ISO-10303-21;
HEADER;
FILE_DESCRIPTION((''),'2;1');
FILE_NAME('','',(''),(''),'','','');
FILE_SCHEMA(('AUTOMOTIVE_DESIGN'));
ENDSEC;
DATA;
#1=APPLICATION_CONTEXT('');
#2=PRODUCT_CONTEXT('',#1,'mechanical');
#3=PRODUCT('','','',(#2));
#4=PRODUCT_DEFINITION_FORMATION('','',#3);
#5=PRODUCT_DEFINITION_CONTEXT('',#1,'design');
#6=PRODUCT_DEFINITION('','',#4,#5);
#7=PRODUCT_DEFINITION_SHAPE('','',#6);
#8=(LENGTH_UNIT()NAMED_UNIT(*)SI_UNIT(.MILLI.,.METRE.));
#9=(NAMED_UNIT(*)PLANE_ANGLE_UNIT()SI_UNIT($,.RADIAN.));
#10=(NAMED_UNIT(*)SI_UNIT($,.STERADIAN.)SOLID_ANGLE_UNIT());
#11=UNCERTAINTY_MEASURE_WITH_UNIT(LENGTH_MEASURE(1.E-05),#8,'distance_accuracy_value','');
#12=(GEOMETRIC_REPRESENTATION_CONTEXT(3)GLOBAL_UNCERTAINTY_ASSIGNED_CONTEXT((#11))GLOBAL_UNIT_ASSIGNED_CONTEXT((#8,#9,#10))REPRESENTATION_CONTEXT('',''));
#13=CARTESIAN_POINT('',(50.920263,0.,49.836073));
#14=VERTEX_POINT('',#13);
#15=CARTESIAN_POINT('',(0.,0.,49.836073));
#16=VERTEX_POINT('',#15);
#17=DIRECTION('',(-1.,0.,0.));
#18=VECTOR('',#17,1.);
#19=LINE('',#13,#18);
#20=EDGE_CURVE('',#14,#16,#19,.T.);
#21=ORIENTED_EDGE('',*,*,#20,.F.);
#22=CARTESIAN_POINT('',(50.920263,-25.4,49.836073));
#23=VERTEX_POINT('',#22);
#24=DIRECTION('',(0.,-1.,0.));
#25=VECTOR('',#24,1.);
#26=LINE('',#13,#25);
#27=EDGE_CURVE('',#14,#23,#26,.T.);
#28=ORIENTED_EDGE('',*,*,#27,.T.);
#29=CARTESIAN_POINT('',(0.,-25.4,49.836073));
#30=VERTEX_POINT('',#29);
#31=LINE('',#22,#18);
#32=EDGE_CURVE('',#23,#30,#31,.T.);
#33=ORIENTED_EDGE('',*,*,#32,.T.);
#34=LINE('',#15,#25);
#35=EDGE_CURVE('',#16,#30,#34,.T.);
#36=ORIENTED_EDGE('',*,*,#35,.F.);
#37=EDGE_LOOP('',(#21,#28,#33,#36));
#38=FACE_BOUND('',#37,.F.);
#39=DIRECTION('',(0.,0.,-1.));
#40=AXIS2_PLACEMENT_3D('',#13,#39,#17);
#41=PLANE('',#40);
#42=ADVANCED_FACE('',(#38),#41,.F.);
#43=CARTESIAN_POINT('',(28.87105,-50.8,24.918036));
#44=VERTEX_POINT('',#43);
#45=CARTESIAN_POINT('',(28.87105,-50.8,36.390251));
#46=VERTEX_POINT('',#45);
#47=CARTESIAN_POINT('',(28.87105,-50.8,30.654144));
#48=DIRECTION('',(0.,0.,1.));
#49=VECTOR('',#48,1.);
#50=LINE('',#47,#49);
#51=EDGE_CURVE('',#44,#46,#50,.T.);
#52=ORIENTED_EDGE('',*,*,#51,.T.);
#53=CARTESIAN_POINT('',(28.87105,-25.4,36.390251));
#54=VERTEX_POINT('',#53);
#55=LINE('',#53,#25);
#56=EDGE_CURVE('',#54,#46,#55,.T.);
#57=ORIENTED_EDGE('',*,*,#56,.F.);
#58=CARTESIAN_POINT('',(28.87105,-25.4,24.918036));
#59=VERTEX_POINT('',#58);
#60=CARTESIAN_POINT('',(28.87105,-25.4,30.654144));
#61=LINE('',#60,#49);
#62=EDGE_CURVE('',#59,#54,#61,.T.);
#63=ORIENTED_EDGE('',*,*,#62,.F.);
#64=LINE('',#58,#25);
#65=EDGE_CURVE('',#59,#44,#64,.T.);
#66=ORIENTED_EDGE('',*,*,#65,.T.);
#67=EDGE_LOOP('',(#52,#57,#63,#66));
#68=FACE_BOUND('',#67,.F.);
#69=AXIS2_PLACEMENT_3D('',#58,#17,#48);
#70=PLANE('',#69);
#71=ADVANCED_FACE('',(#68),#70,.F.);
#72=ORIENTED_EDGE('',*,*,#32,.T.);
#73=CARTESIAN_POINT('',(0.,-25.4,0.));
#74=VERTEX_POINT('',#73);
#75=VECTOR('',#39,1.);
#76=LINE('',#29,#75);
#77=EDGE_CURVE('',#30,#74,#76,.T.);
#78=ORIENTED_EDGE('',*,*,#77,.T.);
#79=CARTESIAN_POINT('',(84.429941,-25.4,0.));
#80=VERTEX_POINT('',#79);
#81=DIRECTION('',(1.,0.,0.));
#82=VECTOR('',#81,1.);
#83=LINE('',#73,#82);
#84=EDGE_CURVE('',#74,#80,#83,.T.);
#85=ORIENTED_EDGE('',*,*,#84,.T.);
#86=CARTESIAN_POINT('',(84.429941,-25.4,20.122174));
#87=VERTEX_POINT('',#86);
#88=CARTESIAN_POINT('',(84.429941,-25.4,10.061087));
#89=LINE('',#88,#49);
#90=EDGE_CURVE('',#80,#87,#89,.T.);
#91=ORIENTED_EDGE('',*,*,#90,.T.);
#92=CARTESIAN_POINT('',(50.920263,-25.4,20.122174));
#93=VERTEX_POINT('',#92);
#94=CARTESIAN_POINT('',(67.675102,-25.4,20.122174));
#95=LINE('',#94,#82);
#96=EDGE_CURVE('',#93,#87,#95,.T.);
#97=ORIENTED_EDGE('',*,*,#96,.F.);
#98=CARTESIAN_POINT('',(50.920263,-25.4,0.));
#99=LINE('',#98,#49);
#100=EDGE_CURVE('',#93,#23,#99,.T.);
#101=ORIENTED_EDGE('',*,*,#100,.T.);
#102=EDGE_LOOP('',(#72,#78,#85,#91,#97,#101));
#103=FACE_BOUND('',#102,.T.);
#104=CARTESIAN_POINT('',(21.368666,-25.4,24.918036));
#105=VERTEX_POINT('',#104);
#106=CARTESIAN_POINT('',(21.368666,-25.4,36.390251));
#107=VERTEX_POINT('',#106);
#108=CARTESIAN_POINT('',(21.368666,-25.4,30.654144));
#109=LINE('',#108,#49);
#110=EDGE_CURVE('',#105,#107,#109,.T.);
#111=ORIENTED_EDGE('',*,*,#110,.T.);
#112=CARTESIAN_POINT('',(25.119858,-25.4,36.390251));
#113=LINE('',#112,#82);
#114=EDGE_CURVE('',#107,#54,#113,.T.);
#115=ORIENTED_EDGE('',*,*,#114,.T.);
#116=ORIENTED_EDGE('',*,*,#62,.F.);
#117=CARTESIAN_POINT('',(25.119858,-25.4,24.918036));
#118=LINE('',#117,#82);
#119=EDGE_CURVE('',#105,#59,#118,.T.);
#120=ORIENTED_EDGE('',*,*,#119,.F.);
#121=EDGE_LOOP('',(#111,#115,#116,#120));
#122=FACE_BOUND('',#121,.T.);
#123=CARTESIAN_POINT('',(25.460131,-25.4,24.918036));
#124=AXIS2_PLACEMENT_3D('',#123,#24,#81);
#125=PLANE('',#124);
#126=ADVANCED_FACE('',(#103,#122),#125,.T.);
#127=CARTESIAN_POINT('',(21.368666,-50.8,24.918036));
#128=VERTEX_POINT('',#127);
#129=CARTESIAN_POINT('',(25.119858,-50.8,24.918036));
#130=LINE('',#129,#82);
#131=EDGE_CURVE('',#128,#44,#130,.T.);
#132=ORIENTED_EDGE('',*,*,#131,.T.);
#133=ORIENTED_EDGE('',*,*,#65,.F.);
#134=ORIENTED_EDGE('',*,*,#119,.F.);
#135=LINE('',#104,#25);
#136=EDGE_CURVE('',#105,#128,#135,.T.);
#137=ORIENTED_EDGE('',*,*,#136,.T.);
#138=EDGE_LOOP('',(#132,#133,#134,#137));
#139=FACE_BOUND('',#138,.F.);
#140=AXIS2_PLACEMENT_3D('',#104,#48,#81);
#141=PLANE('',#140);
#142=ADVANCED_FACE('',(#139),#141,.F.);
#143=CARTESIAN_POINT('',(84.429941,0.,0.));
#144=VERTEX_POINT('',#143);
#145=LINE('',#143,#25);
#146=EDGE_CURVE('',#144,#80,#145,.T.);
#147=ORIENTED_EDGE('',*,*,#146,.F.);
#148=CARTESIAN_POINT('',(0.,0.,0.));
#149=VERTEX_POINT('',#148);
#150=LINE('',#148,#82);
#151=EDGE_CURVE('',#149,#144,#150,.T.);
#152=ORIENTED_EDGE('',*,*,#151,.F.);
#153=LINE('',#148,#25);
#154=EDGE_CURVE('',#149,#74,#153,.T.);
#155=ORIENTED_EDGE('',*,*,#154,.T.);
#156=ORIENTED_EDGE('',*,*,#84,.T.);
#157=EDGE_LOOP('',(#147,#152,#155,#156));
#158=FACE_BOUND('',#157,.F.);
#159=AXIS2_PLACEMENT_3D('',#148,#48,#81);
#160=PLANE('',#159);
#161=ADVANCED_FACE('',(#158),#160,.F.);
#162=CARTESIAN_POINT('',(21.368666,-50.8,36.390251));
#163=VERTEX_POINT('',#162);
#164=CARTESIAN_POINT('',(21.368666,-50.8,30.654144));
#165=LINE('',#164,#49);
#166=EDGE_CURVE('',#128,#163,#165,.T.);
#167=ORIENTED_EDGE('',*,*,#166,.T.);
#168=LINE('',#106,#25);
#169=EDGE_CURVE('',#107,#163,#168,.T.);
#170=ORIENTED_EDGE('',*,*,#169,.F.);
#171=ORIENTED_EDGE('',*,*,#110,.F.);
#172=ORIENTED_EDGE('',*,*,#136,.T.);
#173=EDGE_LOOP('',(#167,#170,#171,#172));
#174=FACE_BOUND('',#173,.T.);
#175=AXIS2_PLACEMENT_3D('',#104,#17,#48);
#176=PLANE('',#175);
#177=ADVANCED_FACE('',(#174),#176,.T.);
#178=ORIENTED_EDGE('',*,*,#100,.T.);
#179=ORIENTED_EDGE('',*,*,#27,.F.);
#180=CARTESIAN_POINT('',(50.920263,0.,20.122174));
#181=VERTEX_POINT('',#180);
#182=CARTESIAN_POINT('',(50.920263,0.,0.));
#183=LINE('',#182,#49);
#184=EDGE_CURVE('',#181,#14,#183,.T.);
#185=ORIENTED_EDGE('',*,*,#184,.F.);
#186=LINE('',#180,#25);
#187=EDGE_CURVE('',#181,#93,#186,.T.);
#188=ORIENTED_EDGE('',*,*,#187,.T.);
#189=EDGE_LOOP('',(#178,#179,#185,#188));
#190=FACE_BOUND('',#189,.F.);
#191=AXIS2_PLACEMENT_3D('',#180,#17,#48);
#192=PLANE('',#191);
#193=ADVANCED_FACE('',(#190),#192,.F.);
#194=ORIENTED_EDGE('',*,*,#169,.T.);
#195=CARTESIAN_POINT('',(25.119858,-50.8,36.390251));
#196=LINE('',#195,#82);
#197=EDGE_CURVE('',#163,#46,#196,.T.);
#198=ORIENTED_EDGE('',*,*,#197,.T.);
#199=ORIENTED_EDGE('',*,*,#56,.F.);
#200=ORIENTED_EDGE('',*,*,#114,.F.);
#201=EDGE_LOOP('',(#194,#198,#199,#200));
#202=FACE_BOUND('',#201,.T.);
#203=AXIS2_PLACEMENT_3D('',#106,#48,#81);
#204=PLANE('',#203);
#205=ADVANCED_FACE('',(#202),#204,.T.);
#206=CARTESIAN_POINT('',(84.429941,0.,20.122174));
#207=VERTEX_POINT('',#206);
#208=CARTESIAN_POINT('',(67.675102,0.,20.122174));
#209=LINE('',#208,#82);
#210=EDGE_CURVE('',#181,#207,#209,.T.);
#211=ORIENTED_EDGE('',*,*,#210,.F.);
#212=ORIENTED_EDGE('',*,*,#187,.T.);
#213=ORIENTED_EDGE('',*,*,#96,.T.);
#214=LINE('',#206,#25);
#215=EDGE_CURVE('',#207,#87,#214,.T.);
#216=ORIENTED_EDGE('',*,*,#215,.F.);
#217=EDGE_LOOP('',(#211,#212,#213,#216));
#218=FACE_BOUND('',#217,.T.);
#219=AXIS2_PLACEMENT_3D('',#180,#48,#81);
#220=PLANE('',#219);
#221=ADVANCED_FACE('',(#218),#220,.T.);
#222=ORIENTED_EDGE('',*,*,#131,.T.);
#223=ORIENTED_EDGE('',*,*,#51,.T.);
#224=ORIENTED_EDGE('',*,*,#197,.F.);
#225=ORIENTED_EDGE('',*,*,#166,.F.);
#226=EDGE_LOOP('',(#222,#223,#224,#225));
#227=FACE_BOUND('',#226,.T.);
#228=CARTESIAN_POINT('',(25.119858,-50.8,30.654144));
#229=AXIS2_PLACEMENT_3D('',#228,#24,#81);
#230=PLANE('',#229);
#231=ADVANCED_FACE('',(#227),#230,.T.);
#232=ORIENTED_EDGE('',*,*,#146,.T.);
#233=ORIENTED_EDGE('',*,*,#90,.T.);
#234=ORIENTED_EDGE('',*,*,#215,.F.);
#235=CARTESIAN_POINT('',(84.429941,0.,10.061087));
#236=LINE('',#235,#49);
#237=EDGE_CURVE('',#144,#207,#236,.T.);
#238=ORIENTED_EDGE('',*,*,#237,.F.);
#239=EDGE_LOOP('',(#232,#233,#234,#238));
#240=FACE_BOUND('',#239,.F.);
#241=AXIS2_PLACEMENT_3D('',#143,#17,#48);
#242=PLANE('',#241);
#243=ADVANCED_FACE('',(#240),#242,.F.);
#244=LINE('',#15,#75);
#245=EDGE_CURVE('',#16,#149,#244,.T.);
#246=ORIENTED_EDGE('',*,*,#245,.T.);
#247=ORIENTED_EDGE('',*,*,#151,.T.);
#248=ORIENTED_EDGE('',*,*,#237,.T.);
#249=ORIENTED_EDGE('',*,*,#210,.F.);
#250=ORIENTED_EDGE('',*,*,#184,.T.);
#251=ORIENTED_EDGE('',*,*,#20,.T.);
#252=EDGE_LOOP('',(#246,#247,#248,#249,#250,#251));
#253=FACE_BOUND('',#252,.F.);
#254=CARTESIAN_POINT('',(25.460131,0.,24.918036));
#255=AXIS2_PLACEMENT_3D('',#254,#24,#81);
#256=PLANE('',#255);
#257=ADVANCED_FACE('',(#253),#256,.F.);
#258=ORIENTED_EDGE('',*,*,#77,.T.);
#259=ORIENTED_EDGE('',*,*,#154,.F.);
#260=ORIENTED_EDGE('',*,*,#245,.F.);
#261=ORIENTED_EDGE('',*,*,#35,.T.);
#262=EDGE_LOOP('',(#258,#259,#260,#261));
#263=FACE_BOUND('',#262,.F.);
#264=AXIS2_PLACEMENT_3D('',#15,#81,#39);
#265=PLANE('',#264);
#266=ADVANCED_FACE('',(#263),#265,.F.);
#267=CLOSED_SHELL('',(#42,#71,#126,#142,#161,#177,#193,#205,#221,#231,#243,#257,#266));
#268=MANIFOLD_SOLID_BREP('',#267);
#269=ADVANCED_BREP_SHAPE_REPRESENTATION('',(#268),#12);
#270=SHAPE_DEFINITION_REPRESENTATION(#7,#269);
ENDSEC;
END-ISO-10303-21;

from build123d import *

# Parameters (mm, degrees)
F0_W     = 33.509679
F0_H     = 20.122174
F1_DEPTH = 25.4
F2_W     = 7.502383
F2_H     = 11.472215
F3_DEPTH = 25.4


with BuildPart() as f1:
    # F0 (on Front) → F1 (new body)
    with BuildSketch(Plane.XZ):
        Polygon((50.920263, 20.122174), (50.920263, 49.836073), (0, 49.836073), (0, 0), (50.920263, 0), align=None)
        with Locations((67.675102, 10.061087)):
            Rectangle(F0_W, F0_H)
    extrude(amount=F1_DEPTH)

    # F2 (on face) → F3 (join)
    with BuildSketch(Plane.XZ.offset(25.4)):
        with Locations((25.119858, 30.654144)):
            Rectangle(F2_W, F2_H)
    extrude(amount=F3_DEPTH)


solid = f1.part
